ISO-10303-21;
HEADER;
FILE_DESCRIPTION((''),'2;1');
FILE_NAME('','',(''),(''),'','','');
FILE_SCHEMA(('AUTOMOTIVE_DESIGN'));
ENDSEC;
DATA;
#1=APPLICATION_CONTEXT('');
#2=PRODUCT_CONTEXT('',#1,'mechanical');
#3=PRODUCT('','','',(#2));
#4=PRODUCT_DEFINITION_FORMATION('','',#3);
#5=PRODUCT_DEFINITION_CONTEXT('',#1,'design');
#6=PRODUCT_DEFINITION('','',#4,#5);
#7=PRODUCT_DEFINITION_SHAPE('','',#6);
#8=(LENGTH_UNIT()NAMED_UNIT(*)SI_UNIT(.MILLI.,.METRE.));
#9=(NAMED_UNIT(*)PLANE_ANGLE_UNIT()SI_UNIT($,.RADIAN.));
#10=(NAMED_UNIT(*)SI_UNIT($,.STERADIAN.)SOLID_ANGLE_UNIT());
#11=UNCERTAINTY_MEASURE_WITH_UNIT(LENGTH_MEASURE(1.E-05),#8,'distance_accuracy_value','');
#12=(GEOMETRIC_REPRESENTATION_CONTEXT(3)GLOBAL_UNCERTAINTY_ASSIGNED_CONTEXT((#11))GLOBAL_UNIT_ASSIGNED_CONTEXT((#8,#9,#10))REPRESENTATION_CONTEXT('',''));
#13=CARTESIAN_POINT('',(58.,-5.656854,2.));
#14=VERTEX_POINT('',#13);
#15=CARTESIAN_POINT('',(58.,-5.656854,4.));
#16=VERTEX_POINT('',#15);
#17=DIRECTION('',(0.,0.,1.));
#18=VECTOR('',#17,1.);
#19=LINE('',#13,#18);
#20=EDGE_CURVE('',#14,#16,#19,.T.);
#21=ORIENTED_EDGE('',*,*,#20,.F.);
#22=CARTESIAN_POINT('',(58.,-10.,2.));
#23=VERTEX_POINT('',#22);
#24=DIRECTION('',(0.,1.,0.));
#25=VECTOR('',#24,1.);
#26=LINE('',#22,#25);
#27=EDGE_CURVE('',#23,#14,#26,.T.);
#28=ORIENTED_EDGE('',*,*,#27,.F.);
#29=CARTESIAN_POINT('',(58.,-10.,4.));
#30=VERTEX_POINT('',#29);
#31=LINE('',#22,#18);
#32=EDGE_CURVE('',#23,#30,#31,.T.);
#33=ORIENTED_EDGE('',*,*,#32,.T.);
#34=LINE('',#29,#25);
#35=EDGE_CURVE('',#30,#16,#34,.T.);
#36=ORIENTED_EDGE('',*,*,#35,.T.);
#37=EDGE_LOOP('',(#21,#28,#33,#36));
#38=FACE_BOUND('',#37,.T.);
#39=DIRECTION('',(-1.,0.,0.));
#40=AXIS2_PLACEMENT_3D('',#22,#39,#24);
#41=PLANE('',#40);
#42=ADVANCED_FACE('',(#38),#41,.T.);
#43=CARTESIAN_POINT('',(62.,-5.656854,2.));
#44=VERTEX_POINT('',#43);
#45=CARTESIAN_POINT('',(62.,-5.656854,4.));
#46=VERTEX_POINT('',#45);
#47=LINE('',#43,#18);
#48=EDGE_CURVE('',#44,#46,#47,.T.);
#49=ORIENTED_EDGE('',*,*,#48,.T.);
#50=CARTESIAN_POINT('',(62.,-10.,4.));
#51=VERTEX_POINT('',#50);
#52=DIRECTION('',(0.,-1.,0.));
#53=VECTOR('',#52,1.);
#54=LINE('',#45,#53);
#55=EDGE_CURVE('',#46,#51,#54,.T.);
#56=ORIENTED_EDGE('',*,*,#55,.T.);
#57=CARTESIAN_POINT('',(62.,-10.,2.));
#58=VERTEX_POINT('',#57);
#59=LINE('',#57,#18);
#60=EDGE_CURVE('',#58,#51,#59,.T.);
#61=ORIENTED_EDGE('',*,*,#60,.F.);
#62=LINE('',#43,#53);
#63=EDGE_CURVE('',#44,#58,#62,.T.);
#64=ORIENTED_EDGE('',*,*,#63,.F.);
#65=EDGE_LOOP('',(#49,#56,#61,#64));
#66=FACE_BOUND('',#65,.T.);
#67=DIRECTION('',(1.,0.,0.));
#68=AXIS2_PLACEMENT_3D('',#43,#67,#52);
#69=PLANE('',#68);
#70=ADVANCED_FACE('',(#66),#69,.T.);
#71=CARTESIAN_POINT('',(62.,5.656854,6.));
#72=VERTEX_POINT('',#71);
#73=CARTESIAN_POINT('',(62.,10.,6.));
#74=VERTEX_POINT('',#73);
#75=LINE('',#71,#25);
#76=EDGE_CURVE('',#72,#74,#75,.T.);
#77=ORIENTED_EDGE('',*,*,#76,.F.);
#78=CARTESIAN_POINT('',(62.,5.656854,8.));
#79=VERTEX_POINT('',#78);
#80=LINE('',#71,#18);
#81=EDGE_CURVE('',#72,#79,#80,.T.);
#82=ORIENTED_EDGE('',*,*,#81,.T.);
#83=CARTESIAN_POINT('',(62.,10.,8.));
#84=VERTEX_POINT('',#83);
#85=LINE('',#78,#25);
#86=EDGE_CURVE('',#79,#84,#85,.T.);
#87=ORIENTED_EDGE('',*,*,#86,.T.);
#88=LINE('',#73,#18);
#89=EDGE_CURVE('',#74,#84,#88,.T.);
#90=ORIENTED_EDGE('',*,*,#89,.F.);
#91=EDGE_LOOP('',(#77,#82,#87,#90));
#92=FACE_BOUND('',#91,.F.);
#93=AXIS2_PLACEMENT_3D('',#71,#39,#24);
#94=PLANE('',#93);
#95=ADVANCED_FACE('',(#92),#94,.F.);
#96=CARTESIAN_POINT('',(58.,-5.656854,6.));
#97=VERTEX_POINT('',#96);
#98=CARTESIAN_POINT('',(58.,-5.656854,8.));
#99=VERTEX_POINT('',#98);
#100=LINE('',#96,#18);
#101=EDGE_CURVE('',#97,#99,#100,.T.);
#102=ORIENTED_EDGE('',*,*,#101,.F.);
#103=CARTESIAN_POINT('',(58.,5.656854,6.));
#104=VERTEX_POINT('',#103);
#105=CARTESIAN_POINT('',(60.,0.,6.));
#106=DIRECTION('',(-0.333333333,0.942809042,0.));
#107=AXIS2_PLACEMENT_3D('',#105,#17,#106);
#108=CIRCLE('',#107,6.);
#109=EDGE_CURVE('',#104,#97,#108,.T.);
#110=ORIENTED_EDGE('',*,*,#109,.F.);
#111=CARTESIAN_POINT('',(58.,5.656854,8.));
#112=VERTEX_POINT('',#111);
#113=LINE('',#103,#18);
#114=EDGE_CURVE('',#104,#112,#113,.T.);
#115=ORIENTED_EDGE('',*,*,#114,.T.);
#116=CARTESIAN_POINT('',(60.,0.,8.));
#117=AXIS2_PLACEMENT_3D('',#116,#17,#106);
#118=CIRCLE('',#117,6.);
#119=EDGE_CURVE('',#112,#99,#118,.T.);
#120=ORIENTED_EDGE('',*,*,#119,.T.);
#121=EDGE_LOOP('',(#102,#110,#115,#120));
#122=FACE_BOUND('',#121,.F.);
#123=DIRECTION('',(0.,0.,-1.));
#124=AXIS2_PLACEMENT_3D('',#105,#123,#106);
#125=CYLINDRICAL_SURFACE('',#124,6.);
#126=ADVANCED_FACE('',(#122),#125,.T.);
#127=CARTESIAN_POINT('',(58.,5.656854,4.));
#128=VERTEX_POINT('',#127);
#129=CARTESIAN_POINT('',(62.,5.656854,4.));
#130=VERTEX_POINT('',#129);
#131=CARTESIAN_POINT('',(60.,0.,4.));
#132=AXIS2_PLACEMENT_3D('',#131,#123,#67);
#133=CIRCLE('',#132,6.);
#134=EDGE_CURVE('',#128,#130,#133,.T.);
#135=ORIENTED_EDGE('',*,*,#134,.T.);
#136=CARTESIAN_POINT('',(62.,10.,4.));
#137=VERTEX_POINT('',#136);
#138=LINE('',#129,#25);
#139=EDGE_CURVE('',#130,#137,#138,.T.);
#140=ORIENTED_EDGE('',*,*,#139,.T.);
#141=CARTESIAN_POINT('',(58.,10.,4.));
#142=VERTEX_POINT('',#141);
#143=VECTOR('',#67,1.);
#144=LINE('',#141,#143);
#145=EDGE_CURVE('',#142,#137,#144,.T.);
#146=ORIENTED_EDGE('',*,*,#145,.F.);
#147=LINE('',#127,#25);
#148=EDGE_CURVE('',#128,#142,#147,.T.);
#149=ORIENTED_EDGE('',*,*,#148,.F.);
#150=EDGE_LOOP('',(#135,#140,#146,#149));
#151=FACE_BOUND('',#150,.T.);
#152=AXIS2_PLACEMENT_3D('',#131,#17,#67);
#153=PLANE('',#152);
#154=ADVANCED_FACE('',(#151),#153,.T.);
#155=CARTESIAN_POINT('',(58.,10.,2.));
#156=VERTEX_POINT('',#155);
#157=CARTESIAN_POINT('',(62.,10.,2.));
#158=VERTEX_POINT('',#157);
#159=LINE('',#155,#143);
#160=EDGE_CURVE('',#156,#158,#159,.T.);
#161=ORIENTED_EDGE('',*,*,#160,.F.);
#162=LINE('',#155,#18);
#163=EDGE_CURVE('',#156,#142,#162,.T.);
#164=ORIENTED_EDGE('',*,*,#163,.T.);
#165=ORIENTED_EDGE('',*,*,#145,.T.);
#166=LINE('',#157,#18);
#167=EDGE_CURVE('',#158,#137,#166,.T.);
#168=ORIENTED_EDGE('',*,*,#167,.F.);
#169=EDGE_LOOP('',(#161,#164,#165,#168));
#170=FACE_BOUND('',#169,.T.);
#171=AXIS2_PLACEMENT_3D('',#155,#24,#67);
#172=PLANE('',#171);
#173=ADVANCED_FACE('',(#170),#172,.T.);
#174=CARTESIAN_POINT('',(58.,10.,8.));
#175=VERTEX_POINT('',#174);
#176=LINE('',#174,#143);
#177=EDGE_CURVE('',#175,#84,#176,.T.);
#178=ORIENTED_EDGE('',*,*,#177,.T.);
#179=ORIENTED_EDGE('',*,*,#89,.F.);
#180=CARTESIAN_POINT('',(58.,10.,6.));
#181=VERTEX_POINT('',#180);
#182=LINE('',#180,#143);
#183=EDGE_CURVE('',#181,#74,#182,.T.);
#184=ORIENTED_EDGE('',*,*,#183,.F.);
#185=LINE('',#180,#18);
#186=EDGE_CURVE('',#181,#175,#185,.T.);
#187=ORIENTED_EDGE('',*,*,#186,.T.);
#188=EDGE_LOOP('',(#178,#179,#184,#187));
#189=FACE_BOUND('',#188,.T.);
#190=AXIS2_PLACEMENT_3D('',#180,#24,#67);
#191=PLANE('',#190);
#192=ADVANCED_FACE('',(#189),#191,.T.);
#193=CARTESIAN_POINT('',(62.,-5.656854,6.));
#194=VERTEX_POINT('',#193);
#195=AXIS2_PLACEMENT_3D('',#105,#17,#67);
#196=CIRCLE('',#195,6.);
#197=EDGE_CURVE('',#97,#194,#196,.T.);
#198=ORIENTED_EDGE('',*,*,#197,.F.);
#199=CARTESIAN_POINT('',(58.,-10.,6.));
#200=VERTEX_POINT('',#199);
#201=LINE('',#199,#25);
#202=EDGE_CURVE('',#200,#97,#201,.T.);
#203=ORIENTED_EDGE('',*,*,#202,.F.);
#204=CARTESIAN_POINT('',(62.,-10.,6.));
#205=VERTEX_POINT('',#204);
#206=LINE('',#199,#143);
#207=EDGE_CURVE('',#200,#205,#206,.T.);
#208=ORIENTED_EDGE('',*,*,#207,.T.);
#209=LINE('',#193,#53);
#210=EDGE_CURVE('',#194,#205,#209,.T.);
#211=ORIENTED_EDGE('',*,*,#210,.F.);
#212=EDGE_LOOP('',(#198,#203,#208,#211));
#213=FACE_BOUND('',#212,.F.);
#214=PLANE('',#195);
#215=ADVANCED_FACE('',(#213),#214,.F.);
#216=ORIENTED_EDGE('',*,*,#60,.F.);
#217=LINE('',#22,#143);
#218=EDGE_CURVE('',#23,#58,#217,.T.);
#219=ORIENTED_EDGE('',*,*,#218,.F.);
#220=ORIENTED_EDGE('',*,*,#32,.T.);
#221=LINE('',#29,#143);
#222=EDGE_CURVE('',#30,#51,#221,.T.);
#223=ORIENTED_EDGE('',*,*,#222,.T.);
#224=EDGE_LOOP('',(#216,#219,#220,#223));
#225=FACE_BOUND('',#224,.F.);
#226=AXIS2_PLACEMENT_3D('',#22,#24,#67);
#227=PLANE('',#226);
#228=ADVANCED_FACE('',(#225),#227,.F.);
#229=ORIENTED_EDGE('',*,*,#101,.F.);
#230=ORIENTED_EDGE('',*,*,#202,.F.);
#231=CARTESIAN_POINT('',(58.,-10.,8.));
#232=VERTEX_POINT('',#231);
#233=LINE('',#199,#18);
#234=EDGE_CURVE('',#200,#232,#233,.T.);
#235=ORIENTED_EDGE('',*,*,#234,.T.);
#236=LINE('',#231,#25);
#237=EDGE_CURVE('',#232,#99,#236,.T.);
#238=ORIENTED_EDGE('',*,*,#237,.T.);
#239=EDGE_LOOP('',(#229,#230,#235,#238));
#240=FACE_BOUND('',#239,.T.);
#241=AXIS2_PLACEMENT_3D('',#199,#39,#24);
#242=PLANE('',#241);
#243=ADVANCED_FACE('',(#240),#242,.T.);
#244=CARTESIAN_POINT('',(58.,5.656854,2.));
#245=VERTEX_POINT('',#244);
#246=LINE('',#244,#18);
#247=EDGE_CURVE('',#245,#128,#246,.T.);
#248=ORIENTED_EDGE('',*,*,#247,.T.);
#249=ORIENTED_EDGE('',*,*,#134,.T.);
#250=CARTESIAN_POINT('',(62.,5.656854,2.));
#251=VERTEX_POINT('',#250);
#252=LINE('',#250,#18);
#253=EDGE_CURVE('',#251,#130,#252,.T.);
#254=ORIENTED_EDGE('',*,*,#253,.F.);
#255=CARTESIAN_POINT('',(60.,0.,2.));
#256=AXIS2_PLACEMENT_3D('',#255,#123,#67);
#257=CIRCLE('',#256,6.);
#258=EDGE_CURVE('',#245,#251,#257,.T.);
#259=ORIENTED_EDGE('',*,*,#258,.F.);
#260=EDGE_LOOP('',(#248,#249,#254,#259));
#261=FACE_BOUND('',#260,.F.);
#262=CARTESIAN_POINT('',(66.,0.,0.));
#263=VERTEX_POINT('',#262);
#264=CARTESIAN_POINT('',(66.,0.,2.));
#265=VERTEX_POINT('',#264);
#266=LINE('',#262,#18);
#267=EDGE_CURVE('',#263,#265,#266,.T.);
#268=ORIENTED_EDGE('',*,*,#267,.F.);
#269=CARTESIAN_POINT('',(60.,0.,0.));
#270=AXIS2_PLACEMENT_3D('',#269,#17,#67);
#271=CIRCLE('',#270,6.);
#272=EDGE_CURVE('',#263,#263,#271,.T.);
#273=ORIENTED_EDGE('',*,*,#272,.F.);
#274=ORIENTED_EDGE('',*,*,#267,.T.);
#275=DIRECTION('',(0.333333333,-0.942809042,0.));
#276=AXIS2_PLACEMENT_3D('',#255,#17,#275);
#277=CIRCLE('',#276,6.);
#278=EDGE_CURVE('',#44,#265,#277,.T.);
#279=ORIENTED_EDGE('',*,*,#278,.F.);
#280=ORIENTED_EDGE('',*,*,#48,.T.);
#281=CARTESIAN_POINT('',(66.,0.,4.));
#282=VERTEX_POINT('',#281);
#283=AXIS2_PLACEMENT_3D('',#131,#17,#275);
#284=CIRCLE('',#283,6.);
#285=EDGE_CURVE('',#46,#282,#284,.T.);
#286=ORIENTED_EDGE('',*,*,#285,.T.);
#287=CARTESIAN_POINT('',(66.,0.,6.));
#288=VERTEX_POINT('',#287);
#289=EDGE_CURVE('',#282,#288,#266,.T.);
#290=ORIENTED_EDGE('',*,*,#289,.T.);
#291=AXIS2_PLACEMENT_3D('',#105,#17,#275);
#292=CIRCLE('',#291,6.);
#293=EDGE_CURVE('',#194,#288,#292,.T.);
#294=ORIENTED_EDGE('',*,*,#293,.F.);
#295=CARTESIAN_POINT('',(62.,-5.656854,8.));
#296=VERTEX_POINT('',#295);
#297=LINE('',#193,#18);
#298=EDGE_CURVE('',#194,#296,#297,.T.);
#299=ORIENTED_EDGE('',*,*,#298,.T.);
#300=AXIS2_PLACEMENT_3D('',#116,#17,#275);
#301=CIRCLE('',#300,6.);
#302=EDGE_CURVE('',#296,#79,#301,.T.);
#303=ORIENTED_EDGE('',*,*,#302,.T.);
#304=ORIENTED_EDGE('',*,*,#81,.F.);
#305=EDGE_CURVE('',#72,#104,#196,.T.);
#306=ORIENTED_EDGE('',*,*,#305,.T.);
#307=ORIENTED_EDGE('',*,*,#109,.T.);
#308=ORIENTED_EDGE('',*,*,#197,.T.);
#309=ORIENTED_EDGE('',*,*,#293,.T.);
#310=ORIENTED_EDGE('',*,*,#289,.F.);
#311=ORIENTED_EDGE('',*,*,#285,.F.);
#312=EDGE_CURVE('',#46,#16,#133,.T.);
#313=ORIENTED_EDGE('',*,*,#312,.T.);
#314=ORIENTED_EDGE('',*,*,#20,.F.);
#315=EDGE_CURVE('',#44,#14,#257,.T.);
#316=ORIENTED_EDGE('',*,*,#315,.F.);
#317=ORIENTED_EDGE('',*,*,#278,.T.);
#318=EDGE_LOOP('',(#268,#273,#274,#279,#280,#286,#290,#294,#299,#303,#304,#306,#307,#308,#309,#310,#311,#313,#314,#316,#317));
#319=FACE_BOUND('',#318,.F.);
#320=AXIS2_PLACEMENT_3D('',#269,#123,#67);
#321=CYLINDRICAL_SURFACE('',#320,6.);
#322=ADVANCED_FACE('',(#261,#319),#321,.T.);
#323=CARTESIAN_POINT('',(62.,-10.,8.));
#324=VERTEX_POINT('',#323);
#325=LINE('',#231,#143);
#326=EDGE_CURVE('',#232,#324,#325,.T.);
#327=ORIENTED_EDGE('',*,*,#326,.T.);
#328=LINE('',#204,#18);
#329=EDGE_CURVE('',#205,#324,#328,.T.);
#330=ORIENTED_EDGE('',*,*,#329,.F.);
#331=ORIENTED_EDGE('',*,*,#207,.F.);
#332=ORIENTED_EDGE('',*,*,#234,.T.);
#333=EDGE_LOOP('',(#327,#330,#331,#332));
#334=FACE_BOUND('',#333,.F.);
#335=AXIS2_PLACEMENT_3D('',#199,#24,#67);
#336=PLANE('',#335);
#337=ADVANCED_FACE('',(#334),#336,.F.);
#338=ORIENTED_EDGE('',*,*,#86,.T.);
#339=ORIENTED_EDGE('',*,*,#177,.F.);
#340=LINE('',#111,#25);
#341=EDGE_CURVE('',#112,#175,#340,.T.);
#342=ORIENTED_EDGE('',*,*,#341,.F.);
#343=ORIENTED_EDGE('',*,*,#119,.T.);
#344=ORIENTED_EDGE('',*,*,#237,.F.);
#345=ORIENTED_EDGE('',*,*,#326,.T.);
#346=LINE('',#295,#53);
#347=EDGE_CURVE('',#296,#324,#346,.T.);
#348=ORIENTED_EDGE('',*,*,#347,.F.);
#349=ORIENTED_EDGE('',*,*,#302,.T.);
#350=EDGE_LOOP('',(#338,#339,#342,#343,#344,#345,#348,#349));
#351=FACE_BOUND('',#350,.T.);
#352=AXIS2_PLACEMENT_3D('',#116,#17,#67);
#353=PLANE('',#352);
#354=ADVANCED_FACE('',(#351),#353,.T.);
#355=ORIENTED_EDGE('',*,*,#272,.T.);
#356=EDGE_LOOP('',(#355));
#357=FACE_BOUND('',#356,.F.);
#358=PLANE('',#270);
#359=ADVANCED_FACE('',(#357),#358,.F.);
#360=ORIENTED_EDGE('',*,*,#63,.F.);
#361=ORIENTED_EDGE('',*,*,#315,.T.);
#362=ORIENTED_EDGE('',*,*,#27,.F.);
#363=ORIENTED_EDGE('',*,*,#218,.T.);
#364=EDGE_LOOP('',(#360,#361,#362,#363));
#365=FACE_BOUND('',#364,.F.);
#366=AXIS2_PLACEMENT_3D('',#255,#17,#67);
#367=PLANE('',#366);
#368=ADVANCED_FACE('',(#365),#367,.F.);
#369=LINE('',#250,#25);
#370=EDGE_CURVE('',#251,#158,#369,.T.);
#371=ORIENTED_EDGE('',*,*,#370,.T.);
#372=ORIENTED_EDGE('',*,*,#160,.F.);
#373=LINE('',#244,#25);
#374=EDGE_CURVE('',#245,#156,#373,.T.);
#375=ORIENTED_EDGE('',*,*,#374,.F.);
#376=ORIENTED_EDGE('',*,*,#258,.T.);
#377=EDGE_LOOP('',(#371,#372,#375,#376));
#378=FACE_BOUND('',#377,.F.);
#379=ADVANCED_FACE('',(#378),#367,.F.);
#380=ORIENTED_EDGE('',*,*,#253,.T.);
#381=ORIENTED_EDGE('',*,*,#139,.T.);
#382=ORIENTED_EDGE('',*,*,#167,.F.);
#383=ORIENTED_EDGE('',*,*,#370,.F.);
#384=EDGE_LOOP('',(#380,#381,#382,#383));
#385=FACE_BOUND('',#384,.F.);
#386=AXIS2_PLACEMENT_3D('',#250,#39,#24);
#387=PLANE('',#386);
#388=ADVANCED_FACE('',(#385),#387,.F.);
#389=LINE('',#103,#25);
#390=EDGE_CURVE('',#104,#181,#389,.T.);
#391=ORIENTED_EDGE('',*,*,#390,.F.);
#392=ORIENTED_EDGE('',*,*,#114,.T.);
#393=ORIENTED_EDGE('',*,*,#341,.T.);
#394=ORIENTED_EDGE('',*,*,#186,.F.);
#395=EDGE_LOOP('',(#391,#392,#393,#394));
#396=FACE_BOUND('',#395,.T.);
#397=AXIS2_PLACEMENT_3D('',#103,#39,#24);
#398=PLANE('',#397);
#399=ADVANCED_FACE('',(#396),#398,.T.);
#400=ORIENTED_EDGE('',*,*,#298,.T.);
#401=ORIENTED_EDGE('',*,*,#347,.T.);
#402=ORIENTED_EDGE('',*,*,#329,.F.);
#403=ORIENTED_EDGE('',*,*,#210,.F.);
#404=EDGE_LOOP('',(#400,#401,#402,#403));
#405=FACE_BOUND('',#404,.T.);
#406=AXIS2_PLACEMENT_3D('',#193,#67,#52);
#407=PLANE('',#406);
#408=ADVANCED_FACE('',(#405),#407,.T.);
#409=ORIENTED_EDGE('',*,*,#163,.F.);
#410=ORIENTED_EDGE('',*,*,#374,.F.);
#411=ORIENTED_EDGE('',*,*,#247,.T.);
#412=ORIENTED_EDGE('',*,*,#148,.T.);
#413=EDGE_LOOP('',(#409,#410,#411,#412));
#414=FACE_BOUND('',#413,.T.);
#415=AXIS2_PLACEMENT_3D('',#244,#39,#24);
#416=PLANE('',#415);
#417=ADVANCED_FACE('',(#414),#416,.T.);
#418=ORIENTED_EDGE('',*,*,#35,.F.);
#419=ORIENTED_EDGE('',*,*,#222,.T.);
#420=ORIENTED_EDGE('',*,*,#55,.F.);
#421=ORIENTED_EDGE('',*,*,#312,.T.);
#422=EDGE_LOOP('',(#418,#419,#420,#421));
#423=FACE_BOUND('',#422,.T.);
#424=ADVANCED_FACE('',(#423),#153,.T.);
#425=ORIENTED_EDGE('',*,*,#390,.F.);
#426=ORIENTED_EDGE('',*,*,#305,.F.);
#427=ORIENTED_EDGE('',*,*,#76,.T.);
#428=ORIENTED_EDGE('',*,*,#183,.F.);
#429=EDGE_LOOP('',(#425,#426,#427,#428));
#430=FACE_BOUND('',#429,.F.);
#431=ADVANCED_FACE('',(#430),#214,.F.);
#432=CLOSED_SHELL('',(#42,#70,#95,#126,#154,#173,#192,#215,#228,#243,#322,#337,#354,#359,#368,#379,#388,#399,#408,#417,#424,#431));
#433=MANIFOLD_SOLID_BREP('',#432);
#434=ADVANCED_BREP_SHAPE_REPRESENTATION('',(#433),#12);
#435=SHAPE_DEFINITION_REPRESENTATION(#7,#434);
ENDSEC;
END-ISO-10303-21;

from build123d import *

# Parameters (mm, degrees)
SKETCH006_R      = 6
EXTRUDE006_DEPTH = 6
EXTRUDE007_DEPTH = 2
ARRAY001_Z_COUNT = 2
ARRAY001_Z_PITCH = 4


with BuildPart() as eixo2:
    # Sketch006 → Extrude006 (new body)
    with BuildSketch(Plane.XY):
        with Locations((60, 0)):
            Circle(SKETCH006_R)
    extrude(amount=EXTRUDE006_DEPTH)


with BuildPart() as eixo_menor:
    # Sketch007 (on Face8 of Extrude002) → Extrude007 (new body)
    with BuildSketch(Plane.XY.offset(2)):
        with BuildLine():
            ThreePointArc((62, -5.6568542495), (66, 0), (62, 5.6568542495))
            Line((62, 5.6568542495), (62, 10))
            Line((58, 10), (62, 10))
            Line((58, 5.6568542495), (58, 10))
            ThreePointArc((58, 5.6568542495), (54, 0), (58, -5.6568542495))
            Line((58, -10), (58, -5.6568542495))
            Line((58, -10), (62, -10))
            Line((62, -5.6568542495), (62, -10))
        make_face()
    extrude(amount=EXTRUDE007_DEPTH)

    # Array001 Z: Eixo Menor ×2


with BuildPart() as eixo_menor_1:
    add(eixo_menor.part)
    with Locations(*[(0, 0, i * ARRAY001_Z_PITCH) for i in range(1, ARRAY001_Z_COUNT)]):
        add(eixo_menor.part)

    # Fusion: union Eixo2
    add(eixo2.part)


solid = eixo_menor_1.part
